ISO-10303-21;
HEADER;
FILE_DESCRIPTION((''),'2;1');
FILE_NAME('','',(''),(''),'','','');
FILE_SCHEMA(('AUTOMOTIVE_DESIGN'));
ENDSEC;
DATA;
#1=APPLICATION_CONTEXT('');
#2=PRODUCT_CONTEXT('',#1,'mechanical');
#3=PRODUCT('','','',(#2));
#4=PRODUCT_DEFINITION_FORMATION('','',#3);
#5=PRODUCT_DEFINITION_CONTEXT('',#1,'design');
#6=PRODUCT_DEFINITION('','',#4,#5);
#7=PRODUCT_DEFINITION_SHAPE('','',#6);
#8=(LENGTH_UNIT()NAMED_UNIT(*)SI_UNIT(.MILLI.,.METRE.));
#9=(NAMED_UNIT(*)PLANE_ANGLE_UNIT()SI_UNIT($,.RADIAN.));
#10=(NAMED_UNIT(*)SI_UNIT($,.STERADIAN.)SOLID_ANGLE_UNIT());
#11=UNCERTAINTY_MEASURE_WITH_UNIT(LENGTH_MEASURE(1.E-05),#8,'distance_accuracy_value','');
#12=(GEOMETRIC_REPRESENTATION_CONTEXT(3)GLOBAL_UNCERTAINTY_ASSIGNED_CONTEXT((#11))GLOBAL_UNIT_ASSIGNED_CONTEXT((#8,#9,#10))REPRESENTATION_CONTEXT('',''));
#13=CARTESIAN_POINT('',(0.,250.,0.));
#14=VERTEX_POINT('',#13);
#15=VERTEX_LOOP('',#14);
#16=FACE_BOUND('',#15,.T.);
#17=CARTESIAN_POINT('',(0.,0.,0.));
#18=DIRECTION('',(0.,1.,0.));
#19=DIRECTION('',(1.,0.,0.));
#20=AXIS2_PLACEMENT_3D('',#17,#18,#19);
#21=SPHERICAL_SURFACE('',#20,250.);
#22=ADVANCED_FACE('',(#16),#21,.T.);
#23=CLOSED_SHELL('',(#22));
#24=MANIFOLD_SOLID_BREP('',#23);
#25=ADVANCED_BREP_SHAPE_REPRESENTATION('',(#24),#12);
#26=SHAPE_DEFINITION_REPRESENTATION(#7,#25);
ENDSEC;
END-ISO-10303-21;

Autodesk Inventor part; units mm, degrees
ref_plane "YZ Plane" through (0, 0, 0) normal (1, 0, 0) x (0, 1, 0)
ref_plane "XZ Plane" through (0, 0, 0) normal (0, 1, 0) x (-1, 0, 0)
ref_plane "XY Plane" through (0, 0, 0) normal (0, 0, 1) x (1, 0, 0)
sketch "Sketch1" plane through (0, 0, 0) normal (0, 0, 1) x (1, 0, 0)
  arc A0 (0, -250) -> (0, 250) centre (0, 0) ccw
  line L0 (0, -350) -> (0, 350) projected
  line L1 (0, -250) -> (0, 250)
  dimension "d0" = 500
revolve "Revolution1" add sketch "Sketch1" angle 360 about axis through (0, -10, 0) along (0, 1, 0)
properties part number "BallBallerina_Ball"
